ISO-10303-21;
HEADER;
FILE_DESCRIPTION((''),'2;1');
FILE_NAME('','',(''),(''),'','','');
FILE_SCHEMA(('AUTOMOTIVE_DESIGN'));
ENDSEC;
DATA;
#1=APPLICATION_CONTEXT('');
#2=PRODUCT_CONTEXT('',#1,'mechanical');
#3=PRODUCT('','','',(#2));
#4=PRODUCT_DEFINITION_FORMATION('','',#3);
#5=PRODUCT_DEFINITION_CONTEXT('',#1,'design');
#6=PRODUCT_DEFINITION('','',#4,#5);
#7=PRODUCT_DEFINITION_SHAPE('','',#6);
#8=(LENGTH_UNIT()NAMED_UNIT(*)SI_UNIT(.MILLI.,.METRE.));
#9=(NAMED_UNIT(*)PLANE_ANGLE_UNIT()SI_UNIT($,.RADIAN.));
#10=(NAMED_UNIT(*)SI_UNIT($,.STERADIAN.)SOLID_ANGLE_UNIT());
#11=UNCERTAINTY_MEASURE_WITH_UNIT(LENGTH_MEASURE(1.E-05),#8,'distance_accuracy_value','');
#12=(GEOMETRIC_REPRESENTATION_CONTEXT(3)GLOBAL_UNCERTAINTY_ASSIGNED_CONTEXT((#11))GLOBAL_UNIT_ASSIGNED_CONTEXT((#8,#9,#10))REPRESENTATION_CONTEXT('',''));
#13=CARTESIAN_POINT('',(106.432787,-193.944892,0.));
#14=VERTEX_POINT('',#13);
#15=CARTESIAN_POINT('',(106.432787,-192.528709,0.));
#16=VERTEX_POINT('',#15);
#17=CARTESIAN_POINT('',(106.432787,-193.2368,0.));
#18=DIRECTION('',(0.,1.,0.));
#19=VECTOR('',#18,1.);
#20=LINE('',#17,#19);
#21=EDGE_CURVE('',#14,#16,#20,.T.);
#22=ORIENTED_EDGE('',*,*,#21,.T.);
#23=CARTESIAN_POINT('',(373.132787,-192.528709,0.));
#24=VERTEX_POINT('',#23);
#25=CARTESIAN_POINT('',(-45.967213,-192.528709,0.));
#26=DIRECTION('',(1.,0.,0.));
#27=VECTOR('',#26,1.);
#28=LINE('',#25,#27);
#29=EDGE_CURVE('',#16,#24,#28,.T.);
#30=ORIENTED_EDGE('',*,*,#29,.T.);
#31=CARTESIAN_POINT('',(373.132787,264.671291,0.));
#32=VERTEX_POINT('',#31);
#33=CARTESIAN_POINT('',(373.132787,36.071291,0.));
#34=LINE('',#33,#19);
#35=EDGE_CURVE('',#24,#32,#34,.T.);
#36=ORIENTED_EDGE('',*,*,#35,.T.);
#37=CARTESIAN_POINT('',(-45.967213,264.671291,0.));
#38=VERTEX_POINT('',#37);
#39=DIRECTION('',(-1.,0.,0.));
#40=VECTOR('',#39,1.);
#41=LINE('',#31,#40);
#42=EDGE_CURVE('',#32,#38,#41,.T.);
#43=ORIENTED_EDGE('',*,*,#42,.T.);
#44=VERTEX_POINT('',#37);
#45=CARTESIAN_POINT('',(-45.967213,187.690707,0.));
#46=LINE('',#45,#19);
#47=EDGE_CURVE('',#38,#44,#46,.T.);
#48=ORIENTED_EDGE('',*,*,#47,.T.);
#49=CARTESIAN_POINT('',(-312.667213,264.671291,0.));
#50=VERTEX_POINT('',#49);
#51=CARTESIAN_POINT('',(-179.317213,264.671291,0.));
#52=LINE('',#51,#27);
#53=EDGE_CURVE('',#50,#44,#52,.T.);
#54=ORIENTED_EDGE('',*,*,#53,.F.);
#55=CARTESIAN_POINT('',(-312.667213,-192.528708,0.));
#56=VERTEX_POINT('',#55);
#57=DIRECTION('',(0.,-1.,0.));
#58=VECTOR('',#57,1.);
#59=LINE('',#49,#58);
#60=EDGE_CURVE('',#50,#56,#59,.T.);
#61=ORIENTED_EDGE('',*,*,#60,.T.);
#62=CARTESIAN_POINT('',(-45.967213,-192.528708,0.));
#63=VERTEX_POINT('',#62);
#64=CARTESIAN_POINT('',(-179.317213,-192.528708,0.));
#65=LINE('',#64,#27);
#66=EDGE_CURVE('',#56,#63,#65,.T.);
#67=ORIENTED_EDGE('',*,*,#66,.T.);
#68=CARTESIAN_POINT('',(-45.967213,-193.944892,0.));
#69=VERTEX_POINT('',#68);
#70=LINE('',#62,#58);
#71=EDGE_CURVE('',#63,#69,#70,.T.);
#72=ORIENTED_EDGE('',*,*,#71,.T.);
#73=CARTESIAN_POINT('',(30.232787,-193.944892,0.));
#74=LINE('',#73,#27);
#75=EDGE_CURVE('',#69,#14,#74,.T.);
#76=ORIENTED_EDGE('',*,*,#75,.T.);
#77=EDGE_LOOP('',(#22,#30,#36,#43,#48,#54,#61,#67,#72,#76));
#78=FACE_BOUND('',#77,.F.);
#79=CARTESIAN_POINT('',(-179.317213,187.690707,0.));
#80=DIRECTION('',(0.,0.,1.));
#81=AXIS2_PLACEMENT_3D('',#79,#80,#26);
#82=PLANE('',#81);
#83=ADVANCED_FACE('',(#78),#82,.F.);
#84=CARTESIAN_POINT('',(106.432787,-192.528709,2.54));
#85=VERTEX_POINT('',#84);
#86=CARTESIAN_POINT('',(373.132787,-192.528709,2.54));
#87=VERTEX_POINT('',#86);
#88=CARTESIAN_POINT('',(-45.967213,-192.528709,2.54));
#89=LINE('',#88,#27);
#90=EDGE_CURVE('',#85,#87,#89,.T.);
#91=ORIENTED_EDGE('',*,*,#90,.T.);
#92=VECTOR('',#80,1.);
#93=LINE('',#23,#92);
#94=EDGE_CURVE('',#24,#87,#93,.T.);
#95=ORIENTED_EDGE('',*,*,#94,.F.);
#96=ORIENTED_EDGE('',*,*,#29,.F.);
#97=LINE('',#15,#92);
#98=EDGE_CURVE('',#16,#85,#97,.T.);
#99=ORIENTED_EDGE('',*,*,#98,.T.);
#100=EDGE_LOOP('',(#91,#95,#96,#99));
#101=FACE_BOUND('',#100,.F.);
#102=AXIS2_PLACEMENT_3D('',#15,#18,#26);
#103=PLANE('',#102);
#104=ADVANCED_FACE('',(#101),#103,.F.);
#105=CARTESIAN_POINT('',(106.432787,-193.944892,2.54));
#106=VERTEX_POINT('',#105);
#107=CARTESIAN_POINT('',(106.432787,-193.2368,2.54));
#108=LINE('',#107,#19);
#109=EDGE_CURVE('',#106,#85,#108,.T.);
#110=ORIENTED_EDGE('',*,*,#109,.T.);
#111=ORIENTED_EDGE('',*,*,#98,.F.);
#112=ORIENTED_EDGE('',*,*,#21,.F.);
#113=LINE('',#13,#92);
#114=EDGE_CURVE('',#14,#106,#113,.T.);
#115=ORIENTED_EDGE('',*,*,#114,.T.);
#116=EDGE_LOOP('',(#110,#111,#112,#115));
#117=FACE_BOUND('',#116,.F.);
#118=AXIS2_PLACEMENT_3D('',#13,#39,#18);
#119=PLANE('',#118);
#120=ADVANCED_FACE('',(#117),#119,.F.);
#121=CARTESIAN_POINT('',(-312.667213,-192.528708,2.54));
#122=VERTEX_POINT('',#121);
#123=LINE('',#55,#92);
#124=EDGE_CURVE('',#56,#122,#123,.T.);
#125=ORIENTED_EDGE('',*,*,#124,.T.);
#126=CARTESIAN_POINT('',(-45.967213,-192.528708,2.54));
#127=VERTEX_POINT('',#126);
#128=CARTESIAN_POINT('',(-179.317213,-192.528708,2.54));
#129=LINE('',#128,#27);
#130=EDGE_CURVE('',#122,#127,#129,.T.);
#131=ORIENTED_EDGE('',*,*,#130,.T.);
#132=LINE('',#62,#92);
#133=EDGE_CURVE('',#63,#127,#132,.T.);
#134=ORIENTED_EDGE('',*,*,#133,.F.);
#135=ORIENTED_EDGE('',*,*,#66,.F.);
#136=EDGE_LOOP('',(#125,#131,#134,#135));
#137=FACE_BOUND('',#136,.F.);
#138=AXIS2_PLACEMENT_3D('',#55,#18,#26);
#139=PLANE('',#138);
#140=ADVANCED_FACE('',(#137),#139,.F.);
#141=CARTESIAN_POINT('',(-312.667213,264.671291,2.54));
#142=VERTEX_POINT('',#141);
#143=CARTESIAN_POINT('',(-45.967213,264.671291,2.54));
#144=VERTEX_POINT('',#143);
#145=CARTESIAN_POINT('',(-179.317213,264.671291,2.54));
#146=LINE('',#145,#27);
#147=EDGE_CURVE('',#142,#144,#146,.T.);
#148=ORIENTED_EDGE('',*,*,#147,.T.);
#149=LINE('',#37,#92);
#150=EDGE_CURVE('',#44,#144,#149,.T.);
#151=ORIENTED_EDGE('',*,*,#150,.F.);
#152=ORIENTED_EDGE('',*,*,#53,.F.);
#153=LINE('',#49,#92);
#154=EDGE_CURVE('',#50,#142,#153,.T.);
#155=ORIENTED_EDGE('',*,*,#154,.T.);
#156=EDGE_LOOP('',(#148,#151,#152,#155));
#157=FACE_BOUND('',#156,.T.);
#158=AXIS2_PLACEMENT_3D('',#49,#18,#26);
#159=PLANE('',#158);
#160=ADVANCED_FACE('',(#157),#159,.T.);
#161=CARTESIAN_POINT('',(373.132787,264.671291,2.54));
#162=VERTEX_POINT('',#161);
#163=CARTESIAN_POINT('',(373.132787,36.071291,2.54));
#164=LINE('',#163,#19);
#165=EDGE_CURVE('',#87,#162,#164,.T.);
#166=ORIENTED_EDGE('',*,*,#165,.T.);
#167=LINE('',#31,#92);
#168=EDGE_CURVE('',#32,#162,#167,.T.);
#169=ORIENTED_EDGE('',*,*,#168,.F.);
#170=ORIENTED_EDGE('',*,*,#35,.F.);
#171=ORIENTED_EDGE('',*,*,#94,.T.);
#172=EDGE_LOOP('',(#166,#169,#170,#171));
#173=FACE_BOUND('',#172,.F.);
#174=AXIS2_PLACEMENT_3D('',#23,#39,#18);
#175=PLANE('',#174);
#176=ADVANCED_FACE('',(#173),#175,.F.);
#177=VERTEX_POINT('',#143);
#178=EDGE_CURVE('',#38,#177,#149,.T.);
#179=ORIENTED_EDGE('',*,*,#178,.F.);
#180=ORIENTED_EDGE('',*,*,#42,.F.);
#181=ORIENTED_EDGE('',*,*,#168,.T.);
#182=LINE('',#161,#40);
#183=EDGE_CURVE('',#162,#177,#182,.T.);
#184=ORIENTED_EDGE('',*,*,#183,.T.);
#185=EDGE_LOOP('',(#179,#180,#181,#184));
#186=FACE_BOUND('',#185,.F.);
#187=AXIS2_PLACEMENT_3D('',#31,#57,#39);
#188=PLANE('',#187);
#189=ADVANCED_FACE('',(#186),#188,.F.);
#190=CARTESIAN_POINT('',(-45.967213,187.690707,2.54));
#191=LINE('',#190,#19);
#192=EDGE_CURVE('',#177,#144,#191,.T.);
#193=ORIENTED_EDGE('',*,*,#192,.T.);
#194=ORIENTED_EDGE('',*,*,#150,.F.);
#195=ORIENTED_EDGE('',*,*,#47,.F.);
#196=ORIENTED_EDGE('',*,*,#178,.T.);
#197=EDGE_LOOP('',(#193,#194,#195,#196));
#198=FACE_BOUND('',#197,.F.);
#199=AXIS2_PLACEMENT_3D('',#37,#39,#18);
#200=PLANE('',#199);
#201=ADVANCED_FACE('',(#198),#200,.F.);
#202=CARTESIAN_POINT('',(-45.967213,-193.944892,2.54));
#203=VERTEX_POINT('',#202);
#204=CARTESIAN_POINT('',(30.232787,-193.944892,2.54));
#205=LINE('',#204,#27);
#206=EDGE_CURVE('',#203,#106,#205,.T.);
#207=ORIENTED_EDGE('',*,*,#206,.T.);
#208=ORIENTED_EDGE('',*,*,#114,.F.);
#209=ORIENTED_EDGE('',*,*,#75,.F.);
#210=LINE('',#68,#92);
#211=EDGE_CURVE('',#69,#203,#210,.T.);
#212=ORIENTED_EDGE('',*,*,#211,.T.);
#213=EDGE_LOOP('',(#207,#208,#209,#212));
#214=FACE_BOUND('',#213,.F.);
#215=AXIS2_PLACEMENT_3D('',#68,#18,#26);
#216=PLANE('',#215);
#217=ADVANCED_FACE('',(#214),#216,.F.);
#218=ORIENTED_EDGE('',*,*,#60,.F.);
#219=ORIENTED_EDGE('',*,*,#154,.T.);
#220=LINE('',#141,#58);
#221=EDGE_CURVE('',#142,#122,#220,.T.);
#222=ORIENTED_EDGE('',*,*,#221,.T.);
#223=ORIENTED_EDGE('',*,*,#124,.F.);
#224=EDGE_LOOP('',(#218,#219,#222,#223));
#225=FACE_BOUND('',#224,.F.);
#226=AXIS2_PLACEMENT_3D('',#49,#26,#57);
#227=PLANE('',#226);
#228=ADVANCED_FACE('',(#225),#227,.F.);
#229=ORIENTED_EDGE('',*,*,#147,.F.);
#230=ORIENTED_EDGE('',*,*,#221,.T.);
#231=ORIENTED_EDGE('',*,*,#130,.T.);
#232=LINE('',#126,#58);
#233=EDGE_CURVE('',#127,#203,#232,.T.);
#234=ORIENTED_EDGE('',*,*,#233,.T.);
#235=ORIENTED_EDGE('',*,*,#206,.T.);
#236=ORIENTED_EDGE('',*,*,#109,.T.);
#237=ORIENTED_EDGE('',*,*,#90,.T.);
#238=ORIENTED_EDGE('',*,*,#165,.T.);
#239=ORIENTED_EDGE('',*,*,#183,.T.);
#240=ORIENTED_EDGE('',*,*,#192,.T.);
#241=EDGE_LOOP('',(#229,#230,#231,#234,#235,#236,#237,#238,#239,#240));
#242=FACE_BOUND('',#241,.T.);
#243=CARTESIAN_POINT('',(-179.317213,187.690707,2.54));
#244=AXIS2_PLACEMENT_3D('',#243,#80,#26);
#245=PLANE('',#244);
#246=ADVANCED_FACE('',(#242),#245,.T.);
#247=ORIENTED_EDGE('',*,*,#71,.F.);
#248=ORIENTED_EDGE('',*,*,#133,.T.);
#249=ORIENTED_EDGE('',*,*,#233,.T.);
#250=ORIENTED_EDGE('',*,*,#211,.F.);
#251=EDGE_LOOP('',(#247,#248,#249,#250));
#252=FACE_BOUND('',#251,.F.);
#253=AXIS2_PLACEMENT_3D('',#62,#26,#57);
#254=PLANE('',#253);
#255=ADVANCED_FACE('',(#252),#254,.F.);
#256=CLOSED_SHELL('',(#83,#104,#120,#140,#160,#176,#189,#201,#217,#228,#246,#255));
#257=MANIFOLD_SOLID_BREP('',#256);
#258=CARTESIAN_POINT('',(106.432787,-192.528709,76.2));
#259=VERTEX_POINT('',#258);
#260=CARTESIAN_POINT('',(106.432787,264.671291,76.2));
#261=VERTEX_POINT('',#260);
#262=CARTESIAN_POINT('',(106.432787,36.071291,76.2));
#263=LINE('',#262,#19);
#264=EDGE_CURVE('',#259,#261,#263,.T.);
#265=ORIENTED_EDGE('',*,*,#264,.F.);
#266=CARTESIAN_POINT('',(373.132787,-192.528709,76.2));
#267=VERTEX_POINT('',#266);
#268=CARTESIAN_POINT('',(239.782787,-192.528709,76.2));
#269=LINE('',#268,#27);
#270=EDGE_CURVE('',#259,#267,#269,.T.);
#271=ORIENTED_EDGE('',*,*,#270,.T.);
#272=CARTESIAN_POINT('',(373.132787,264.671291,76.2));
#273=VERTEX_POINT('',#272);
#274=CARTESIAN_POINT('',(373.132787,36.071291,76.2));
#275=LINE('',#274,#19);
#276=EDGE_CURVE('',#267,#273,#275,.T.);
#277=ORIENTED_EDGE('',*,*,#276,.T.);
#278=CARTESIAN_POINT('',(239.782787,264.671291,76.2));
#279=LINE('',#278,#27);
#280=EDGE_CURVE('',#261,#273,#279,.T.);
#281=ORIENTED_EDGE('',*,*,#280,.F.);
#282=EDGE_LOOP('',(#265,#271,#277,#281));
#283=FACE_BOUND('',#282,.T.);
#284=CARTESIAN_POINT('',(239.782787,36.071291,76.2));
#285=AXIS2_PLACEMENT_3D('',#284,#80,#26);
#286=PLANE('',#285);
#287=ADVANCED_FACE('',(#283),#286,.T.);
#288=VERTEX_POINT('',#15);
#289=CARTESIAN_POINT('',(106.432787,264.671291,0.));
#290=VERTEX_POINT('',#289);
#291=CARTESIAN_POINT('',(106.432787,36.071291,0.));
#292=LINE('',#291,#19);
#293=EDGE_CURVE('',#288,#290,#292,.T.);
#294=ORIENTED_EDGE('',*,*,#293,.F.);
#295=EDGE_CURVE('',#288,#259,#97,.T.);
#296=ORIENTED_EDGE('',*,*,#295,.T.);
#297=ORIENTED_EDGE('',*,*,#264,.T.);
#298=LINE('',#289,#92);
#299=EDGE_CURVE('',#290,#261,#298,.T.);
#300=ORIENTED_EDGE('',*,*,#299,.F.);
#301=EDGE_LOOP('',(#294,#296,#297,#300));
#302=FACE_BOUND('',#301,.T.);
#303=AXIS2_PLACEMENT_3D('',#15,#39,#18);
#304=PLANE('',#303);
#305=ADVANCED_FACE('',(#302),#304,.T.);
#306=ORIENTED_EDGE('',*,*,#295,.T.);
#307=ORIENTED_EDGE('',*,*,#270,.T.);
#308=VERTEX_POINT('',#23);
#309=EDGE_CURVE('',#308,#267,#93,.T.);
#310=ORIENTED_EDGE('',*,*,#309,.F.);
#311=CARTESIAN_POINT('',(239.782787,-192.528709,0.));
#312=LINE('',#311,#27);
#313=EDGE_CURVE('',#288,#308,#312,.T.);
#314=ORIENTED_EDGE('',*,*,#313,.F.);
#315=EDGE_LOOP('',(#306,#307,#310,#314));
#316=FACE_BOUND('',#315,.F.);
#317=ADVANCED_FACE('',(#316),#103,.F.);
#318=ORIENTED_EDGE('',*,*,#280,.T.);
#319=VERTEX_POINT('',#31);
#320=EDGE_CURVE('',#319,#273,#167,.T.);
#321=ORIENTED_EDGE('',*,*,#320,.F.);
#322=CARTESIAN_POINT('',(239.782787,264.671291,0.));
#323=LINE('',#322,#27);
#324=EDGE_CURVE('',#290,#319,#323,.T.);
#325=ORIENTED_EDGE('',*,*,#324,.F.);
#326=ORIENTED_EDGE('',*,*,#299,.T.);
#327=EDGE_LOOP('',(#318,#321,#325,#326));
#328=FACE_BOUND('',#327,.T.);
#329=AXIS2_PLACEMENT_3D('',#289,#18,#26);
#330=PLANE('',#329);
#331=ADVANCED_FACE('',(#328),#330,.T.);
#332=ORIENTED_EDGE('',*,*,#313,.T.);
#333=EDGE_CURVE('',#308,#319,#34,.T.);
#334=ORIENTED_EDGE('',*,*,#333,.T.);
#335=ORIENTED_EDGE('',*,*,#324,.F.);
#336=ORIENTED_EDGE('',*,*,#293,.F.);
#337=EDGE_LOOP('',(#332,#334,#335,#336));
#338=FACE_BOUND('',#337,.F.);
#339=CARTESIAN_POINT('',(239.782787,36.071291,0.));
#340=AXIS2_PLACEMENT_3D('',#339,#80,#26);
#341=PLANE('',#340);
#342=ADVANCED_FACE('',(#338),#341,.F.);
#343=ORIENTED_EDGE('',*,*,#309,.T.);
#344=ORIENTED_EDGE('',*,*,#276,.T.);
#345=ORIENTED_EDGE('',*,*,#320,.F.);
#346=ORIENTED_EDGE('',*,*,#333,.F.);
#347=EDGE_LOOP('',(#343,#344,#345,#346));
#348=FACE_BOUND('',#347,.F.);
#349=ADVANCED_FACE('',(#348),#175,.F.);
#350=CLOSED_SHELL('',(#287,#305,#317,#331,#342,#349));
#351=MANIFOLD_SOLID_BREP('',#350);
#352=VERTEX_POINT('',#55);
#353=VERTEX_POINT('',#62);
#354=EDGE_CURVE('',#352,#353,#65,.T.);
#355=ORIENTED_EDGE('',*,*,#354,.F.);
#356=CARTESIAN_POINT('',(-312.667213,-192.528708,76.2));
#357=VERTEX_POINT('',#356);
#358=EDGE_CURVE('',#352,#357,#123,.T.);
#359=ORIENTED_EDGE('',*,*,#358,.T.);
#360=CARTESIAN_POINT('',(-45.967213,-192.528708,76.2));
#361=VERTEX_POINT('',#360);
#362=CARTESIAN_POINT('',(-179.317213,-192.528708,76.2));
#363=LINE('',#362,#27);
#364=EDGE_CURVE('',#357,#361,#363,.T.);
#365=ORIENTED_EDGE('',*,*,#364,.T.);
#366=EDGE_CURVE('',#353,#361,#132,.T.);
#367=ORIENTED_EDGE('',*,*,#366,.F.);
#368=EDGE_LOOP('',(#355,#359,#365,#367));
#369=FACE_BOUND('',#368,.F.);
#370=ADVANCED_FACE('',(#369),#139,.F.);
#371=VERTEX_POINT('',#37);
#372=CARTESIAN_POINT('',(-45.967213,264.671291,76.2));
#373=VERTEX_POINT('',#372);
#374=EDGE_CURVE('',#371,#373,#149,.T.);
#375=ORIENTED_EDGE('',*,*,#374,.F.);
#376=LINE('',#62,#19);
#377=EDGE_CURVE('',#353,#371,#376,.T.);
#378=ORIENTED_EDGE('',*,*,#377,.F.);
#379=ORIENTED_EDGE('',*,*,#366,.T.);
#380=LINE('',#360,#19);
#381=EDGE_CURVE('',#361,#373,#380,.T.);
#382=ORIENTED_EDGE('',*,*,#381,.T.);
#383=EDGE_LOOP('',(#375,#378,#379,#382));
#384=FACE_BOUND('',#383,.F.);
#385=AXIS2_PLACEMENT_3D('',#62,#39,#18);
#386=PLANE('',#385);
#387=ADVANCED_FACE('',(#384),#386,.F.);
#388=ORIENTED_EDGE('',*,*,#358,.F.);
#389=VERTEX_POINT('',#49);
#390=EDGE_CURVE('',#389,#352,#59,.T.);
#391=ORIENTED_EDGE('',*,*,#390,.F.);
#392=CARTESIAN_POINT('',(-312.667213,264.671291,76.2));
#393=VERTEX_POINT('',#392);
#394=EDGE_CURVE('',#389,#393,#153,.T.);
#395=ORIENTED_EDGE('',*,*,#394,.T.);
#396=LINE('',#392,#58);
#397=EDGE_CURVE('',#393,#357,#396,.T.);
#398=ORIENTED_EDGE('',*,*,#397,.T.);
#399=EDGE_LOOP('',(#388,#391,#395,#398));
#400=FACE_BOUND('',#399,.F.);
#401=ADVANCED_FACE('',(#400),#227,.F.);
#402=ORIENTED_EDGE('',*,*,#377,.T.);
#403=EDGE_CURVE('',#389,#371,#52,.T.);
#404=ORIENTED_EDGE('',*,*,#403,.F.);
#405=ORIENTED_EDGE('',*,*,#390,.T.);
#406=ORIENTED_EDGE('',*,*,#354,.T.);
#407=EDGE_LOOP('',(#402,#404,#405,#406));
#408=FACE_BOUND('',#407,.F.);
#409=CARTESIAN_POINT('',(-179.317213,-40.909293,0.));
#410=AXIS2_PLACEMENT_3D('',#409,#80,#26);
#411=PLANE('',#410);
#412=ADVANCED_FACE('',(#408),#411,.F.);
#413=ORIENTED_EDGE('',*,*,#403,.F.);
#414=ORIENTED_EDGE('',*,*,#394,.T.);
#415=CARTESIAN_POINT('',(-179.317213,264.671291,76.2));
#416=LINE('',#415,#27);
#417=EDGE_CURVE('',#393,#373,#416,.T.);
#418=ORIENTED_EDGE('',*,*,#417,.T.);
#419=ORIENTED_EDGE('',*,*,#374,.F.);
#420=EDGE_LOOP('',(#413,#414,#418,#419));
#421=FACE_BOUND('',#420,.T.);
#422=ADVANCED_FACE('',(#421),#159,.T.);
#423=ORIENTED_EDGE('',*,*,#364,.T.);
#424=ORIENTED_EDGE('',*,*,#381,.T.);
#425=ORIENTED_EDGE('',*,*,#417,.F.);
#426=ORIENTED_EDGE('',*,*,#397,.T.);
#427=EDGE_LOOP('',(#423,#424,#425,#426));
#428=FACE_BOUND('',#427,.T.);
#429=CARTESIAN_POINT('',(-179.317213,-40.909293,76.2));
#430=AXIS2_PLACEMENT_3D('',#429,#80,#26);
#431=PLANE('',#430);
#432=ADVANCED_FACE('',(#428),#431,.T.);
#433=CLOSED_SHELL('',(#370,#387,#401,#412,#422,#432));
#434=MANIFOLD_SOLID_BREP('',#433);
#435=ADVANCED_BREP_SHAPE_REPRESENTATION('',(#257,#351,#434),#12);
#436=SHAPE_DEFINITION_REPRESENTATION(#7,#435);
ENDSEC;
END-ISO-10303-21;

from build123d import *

# Parameters (mm, degrees)
F0_W     = 266.7
F0_H     = 303.238831
F0_H_2   = 457.2
F0_H_3   = 153.961169
F1_DEPTH = 76.2
F0_W_2   = 152.4
F0_H_4   = 1.416183
F2_DEPTH = 2.54


with BuildPart() as f1:
    # F0 (on Top) → F1 (new body)
    with BuildSketch(Plane.XY):
        with Locations((-179.317213, -40.909293)):
            Rectangle(F0_W, F0_H)
        with Locations((239.782787, 36.071291)):
            Rectangle(F0_W, F0_H_2)
        with Locations((-179.317213, 187.690707)):
            Rectangle(F0_W, F0_H_3)
    extrude(amount=F1_DEPTH)


with BuildPart() as f2:
    # F0 (on Top) → F2 (new body)
    with BuildSketch(Plane.XY):
        with Locations((-179.317213, 187.690707)):
            Rectangle(F0_W, F0_H_3)
        Polygon((106.432787, 264.671291), (-45.967213, 264.671291), (-45.967213, 110.710122), (-45.967213, -192.528709), (106.432787, -192.528709), align=None)
        with Locations((-179.317213, -40.909293)):
            Rectangle(F0_W, F0_H)
        with Locations((239.782787, 36.071291)):
            Rectangle(F0_W, F0_H_2)
        with Locations((30.232787, -193.2368)):
            Rectangle(F0_W_2, F0_H_4)
    extrude(amount=F2_DEPTH)


solid = Compound([f1.part, f2.part])
